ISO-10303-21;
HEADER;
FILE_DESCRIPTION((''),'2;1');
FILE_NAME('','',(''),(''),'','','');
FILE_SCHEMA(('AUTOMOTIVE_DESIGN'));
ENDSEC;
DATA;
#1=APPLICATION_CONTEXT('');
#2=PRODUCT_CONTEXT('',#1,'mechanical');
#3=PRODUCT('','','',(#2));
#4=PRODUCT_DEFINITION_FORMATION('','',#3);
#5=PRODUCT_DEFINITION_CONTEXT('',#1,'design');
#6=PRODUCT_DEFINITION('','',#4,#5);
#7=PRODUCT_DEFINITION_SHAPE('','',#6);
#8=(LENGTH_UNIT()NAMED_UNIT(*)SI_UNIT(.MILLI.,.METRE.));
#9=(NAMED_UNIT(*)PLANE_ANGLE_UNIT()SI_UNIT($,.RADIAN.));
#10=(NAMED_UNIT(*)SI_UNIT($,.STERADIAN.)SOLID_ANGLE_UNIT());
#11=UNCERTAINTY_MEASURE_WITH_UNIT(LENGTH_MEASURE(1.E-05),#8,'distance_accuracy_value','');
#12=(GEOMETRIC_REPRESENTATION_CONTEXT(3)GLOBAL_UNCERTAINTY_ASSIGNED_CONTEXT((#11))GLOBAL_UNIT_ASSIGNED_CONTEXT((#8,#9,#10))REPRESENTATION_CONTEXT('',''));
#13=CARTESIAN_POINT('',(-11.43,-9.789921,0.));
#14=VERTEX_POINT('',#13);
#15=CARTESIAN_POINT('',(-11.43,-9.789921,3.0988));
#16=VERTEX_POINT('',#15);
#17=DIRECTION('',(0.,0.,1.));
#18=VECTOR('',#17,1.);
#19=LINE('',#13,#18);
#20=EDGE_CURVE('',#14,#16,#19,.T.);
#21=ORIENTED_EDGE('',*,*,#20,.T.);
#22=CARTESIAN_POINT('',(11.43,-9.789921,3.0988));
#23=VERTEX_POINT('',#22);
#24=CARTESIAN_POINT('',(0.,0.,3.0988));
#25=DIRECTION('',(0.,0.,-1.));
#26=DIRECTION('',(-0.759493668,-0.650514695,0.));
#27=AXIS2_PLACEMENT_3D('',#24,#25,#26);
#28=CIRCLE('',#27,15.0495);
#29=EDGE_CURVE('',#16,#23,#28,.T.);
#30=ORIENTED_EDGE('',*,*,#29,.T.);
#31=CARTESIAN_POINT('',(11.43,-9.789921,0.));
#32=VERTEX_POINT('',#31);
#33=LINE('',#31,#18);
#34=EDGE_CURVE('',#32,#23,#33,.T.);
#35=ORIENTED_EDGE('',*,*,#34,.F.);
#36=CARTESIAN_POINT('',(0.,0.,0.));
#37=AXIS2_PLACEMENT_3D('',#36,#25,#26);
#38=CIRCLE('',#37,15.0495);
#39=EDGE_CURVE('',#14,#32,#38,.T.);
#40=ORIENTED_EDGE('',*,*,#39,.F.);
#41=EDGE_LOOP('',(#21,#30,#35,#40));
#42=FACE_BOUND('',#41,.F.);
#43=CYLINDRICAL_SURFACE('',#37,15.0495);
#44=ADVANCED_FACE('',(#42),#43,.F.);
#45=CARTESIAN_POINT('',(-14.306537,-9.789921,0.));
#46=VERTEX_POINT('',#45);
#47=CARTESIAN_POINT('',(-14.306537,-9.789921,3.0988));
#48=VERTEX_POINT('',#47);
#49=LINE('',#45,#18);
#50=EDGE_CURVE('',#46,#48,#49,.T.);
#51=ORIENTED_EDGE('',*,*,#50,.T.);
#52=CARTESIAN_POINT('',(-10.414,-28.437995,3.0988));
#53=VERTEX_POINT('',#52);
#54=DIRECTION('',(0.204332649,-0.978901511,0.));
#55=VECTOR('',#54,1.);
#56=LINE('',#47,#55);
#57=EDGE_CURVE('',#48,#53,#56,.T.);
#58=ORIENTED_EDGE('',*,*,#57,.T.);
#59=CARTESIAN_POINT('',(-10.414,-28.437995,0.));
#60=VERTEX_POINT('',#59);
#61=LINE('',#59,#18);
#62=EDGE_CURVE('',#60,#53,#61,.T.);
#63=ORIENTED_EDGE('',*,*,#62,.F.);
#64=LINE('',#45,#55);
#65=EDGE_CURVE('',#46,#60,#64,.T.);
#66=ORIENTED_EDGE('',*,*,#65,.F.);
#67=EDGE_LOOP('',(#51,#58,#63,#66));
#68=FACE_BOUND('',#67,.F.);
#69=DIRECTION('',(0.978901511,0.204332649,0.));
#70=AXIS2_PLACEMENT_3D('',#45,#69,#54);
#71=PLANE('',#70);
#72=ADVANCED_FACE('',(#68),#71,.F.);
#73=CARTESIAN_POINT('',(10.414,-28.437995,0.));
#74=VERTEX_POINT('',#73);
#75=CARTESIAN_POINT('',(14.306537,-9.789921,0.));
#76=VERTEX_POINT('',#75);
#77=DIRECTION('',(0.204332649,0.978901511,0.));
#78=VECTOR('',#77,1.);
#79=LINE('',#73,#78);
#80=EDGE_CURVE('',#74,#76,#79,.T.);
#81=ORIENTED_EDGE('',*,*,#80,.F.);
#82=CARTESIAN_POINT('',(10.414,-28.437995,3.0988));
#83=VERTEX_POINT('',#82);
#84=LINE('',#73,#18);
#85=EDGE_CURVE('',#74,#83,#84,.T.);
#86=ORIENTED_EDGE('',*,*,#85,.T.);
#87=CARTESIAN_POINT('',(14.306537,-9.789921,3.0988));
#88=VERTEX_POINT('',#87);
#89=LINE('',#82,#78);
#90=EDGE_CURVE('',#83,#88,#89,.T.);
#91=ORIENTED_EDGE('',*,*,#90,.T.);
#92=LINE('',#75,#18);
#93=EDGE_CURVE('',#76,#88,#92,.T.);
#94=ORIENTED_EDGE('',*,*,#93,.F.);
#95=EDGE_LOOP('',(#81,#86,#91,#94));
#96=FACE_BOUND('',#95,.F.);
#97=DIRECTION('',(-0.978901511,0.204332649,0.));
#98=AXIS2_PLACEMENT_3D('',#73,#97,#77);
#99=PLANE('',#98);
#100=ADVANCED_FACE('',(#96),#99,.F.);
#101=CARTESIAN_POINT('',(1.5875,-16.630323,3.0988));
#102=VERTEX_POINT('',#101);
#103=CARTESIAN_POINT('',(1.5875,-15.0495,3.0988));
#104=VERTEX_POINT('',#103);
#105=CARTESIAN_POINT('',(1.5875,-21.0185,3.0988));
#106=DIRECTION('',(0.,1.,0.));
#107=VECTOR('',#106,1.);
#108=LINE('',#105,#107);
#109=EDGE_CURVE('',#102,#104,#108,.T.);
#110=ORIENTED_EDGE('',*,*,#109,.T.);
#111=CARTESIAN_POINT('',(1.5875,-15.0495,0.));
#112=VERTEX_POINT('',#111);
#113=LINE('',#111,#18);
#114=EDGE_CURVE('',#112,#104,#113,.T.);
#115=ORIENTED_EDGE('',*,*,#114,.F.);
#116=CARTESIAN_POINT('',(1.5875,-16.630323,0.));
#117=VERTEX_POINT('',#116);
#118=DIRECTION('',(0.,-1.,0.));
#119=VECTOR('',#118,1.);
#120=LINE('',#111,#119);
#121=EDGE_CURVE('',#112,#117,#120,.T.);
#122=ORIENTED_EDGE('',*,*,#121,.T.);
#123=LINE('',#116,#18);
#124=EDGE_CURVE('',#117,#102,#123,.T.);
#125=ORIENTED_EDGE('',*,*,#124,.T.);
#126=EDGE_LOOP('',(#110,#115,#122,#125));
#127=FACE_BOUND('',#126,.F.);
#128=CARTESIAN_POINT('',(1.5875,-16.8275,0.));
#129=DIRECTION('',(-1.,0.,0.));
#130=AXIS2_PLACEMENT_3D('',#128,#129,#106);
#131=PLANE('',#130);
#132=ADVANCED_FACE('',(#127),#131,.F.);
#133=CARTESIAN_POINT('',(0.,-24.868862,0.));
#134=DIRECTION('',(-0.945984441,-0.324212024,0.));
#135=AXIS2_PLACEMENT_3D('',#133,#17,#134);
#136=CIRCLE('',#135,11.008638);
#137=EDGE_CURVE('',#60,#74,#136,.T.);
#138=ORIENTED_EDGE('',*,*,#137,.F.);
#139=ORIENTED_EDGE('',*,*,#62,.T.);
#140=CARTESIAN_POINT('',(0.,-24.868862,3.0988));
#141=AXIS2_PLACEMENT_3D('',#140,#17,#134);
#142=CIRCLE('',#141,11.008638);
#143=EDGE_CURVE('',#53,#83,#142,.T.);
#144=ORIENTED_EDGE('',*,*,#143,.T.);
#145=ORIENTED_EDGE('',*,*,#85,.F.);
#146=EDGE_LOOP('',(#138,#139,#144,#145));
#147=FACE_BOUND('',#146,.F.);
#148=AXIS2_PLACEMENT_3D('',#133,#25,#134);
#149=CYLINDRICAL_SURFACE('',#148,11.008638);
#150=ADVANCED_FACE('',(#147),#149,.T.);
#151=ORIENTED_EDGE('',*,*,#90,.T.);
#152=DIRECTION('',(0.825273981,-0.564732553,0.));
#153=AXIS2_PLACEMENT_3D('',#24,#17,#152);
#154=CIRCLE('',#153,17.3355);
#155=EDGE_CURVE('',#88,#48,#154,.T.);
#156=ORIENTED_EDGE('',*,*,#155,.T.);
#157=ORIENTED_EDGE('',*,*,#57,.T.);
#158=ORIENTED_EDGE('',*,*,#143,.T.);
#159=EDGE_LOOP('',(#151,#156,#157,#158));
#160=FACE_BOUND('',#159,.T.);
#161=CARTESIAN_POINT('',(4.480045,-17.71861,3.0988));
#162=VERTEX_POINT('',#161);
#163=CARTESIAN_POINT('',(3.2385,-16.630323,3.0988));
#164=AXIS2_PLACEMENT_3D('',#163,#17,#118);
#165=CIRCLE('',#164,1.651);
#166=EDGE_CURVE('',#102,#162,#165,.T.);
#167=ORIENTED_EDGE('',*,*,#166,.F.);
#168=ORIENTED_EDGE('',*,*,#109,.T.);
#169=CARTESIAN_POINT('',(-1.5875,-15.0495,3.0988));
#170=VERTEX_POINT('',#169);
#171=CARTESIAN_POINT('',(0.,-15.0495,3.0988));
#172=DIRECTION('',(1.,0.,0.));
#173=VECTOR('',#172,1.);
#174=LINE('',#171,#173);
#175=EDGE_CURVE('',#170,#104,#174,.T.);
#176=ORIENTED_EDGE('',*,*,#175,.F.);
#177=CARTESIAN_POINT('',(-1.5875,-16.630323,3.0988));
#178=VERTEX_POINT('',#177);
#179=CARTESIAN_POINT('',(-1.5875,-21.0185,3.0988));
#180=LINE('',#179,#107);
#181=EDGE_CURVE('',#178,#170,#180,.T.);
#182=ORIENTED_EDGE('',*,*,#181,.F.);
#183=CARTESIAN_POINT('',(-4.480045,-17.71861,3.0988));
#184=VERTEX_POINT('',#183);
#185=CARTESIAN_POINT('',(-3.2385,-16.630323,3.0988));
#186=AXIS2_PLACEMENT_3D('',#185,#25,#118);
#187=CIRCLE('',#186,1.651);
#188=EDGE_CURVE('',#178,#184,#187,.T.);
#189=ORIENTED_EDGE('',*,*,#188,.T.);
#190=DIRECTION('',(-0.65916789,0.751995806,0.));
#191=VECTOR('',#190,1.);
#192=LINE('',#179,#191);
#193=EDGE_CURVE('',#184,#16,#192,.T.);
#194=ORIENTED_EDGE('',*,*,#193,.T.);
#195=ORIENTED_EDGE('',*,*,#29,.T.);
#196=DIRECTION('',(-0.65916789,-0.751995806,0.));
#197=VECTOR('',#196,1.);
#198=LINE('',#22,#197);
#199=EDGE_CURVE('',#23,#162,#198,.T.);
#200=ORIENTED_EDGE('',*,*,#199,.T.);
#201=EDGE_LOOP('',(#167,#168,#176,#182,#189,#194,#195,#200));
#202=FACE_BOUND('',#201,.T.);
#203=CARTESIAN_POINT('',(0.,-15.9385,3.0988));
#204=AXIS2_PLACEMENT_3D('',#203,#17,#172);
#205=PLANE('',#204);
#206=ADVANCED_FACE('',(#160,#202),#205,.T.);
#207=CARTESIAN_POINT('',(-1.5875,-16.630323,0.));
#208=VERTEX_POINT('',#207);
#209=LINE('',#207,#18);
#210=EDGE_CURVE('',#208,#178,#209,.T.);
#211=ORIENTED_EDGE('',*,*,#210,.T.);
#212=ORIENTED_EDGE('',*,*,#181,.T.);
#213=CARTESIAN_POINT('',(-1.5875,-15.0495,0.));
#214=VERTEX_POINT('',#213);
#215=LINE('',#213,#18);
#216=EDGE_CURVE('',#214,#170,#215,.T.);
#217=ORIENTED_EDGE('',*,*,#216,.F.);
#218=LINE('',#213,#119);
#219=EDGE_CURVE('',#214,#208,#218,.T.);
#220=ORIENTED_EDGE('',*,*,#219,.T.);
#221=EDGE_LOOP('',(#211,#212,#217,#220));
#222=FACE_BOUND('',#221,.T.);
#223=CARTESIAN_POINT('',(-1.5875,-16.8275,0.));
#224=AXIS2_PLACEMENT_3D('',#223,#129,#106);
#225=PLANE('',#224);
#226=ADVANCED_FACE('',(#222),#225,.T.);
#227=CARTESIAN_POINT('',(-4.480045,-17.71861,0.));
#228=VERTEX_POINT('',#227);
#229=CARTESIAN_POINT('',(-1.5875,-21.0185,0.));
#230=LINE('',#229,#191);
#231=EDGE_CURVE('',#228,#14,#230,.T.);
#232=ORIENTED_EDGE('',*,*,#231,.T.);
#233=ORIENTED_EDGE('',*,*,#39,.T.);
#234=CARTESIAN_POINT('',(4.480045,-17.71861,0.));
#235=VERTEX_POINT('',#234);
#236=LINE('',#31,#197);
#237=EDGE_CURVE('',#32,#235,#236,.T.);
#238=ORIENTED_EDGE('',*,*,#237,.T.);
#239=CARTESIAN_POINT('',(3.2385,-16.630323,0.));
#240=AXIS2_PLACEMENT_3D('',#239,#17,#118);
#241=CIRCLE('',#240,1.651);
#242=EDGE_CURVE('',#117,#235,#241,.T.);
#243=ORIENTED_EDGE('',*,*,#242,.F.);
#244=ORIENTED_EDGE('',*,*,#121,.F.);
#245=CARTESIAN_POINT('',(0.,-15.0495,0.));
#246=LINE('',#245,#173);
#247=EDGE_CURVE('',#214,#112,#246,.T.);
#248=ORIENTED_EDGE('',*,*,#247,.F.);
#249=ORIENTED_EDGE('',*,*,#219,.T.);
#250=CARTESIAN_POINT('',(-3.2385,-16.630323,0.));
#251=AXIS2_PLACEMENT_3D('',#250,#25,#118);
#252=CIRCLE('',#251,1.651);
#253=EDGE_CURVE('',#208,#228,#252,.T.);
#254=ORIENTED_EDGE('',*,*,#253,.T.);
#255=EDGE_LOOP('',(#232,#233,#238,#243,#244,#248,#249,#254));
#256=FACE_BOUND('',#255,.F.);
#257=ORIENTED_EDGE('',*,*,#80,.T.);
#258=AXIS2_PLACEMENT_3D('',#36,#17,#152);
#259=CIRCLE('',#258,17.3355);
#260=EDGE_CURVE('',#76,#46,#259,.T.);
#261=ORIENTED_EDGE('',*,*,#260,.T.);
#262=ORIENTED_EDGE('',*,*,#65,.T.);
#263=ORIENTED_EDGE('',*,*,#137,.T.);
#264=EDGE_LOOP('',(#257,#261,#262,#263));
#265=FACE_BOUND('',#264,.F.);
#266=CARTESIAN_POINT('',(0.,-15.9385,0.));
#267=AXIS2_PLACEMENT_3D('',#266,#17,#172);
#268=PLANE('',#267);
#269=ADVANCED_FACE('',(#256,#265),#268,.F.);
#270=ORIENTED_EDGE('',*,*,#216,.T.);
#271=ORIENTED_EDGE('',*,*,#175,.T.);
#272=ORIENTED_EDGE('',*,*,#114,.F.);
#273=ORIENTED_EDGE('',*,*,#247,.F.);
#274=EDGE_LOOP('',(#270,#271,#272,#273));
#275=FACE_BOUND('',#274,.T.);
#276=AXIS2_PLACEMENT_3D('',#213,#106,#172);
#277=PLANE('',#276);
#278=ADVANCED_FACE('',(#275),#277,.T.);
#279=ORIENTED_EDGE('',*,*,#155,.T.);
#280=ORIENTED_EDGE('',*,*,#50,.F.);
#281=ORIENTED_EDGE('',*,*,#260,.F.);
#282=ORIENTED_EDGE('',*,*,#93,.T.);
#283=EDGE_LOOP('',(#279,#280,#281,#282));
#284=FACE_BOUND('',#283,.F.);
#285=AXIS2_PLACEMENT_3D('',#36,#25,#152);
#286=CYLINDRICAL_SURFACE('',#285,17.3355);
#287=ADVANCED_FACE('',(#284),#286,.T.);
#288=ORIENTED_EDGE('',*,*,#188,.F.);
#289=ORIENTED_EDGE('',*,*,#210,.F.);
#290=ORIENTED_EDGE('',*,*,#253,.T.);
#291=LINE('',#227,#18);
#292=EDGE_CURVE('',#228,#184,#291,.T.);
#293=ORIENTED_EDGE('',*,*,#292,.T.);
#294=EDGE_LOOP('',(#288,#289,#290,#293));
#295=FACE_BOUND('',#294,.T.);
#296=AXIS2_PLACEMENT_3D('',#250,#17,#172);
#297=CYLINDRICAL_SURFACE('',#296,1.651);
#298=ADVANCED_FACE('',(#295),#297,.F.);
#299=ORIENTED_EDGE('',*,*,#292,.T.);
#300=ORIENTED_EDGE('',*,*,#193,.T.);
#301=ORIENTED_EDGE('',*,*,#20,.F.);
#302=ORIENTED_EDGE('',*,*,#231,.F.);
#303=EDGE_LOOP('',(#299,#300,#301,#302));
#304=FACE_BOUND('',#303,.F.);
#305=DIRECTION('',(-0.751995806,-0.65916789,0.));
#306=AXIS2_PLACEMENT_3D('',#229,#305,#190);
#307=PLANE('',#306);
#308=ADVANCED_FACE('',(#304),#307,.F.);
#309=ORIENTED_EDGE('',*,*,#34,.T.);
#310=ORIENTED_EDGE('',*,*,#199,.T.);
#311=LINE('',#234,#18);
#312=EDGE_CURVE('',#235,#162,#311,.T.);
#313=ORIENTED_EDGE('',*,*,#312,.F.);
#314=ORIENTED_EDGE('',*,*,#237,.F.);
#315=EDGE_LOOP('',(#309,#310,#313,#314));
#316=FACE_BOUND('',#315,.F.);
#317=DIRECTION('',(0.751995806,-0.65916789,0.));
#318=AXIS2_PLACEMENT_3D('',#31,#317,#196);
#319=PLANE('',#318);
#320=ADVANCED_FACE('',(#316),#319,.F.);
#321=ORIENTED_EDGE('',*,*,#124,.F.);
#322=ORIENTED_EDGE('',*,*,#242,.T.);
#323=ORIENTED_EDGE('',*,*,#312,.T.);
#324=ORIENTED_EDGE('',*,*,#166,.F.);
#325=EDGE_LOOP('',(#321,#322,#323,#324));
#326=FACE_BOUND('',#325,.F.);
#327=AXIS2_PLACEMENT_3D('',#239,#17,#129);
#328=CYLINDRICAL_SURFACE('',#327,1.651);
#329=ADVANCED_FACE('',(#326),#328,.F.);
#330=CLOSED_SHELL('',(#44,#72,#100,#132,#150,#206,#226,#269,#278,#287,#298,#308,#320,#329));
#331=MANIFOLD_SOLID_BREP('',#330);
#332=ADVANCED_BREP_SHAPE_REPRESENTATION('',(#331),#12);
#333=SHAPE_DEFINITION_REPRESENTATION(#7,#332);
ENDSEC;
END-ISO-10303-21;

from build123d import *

# Parameters (mm, degrees)
F1_DEPTH = 3.0988
F0_W     = 3.175
F0_H     = 1.778
F2_DEPTH = 3.0988
F3_R     = 1.651


with BuildPart() as f1:
    # F0 (on Top) → F1 (new body)
    with BuildSketch(Plane.XY):
        with BuildLine():
            ThreePointArc((14.306537, -9.789921), (0, 17.3355), (-14.306537, -9.789921))
            Line((-14.306537, -9.789921), (-10.414, -28.437995))
            ThreePointArc((-10.414, -28.437995), (0, -35.8775), (10.414, -28.437995))
            Line((10.414, -28.437995), (14.306537, -9.789921))
        make_face()
        with BuildLine():
            Line((1.5875, -16.8275), (-1.5875, -16.8275))
            Line((-1.5875, -16.8275), (-1.5875, -21.0185))
            Line((-1.5875, -21.0185), (-11.43, -9.789921))
            ThreePointArc((-11.43, -9.789921), (0, 15.0495), (11.43, -9.789921))
            Line((11.43, -9.789921), (1.5875, -21.0185))
            Line((1.5875, -21.0185), (1.5875, -16.8275))
        make_face(mode=Mode.SUBTRACT)
    extrude(amount=F1_DEPTH)

    # F0 (on Top) → F2 (join)
    with BuildSketch(Plane.XY):
        with Locations((0, -15.9385)):
            Rectangle(F0_W, F0_H)
    extrude(amount=F2_DEPTH)

    # F3
    f3_edges = [f1.edges().sort_by_distance(p)[0] for p in [
        (-1.5875, -21.0185, 1.5494),
        (1.5875, -21.0185, 1.5494),
    ]]
    fillet(f3_edges, radius=F3_R)


solid = f1.part
